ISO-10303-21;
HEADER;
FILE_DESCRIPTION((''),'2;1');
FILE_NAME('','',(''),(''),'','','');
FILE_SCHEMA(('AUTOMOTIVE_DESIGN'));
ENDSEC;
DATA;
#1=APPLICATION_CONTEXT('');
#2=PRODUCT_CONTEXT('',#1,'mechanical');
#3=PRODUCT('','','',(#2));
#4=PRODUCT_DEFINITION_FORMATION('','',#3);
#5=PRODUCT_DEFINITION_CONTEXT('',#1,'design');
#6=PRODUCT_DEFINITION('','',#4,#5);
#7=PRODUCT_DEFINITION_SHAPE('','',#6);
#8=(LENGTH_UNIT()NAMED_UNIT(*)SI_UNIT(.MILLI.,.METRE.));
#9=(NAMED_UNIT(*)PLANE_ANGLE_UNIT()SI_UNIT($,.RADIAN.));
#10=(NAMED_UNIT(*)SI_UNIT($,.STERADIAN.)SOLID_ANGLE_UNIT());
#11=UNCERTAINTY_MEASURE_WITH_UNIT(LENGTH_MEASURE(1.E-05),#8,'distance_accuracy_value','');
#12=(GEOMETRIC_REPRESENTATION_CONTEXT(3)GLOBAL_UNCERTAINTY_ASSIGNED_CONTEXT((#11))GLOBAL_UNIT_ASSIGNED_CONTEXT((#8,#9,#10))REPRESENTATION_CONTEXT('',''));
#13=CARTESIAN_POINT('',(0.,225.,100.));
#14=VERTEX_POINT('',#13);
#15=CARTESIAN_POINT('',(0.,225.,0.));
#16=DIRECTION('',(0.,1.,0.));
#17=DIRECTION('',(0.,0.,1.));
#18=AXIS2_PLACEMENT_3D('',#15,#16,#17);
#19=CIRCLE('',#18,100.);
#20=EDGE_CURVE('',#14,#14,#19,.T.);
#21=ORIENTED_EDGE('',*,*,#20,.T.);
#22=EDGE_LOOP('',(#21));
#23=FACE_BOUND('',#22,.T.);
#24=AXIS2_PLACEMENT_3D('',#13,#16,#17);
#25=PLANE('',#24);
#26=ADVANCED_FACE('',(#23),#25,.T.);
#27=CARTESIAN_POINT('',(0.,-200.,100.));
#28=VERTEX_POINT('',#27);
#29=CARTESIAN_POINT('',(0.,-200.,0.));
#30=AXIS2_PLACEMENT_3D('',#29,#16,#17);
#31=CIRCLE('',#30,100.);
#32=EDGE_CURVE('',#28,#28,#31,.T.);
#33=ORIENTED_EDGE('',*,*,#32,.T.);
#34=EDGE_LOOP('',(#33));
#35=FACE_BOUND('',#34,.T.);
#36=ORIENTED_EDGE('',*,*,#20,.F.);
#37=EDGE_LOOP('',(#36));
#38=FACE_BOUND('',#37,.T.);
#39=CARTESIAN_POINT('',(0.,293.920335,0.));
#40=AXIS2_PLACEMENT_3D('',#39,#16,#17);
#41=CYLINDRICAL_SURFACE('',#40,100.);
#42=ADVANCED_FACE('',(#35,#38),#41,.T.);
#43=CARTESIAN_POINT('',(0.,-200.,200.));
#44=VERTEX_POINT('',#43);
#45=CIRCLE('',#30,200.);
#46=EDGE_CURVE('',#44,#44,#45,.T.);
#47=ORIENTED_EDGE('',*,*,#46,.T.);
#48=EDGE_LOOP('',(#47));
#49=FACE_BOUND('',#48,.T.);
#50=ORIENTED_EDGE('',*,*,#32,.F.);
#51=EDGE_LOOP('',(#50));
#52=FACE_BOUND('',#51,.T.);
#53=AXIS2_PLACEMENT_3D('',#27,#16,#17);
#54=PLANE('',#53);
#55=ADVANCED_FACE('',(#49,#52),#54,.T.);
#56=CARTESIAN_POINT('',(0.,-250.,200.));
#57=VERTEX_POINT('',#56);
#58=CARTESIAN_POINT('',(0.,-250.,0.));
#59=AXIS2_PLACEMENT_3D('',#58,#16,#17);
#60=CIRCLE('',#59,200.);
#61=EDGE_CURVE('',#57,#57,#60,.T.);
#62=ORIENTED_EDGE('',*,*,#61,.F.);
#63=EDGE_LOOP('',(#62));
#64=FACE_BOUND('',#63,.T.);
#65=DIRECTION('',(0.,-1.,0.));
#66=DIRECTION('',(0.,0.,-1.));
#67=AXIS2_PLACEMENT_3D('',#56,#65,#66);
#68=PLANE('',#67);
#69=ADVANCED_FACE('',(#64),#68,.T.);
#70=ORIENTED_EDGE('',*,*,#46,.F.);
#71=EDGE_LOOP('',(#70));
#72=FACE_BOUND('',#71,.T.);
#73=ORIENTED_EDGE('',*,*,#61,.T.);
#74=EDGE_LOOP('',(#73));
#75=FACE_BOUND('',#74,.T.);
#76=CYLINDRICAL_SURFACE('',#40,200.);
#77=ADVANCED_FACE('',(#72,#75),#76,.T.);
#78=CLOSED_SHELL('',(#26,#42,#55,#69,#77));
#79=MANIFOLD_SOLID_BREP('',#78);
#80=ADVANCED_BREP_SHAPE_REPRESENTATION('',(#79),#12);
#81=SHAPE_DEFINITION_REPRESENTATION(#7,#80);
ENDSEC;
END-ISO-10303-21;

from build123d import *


with BuildPart() as part:
    # Sketch2 → Revolve1 (revolve)
    with BuildSketch(Plane(origin=(0, 0, 0), x_dir=(0, 0, -1), z_dir=(1, 0, 0))):
        Polygon((-100, 225), (0, 225), (0, -250), (-200, -250), (-200, -200), (-100, -200), align=None)
    revolve(axis=Axis((0, 293.92033543, 0), (0, -1, 0)))


solid = part.part
